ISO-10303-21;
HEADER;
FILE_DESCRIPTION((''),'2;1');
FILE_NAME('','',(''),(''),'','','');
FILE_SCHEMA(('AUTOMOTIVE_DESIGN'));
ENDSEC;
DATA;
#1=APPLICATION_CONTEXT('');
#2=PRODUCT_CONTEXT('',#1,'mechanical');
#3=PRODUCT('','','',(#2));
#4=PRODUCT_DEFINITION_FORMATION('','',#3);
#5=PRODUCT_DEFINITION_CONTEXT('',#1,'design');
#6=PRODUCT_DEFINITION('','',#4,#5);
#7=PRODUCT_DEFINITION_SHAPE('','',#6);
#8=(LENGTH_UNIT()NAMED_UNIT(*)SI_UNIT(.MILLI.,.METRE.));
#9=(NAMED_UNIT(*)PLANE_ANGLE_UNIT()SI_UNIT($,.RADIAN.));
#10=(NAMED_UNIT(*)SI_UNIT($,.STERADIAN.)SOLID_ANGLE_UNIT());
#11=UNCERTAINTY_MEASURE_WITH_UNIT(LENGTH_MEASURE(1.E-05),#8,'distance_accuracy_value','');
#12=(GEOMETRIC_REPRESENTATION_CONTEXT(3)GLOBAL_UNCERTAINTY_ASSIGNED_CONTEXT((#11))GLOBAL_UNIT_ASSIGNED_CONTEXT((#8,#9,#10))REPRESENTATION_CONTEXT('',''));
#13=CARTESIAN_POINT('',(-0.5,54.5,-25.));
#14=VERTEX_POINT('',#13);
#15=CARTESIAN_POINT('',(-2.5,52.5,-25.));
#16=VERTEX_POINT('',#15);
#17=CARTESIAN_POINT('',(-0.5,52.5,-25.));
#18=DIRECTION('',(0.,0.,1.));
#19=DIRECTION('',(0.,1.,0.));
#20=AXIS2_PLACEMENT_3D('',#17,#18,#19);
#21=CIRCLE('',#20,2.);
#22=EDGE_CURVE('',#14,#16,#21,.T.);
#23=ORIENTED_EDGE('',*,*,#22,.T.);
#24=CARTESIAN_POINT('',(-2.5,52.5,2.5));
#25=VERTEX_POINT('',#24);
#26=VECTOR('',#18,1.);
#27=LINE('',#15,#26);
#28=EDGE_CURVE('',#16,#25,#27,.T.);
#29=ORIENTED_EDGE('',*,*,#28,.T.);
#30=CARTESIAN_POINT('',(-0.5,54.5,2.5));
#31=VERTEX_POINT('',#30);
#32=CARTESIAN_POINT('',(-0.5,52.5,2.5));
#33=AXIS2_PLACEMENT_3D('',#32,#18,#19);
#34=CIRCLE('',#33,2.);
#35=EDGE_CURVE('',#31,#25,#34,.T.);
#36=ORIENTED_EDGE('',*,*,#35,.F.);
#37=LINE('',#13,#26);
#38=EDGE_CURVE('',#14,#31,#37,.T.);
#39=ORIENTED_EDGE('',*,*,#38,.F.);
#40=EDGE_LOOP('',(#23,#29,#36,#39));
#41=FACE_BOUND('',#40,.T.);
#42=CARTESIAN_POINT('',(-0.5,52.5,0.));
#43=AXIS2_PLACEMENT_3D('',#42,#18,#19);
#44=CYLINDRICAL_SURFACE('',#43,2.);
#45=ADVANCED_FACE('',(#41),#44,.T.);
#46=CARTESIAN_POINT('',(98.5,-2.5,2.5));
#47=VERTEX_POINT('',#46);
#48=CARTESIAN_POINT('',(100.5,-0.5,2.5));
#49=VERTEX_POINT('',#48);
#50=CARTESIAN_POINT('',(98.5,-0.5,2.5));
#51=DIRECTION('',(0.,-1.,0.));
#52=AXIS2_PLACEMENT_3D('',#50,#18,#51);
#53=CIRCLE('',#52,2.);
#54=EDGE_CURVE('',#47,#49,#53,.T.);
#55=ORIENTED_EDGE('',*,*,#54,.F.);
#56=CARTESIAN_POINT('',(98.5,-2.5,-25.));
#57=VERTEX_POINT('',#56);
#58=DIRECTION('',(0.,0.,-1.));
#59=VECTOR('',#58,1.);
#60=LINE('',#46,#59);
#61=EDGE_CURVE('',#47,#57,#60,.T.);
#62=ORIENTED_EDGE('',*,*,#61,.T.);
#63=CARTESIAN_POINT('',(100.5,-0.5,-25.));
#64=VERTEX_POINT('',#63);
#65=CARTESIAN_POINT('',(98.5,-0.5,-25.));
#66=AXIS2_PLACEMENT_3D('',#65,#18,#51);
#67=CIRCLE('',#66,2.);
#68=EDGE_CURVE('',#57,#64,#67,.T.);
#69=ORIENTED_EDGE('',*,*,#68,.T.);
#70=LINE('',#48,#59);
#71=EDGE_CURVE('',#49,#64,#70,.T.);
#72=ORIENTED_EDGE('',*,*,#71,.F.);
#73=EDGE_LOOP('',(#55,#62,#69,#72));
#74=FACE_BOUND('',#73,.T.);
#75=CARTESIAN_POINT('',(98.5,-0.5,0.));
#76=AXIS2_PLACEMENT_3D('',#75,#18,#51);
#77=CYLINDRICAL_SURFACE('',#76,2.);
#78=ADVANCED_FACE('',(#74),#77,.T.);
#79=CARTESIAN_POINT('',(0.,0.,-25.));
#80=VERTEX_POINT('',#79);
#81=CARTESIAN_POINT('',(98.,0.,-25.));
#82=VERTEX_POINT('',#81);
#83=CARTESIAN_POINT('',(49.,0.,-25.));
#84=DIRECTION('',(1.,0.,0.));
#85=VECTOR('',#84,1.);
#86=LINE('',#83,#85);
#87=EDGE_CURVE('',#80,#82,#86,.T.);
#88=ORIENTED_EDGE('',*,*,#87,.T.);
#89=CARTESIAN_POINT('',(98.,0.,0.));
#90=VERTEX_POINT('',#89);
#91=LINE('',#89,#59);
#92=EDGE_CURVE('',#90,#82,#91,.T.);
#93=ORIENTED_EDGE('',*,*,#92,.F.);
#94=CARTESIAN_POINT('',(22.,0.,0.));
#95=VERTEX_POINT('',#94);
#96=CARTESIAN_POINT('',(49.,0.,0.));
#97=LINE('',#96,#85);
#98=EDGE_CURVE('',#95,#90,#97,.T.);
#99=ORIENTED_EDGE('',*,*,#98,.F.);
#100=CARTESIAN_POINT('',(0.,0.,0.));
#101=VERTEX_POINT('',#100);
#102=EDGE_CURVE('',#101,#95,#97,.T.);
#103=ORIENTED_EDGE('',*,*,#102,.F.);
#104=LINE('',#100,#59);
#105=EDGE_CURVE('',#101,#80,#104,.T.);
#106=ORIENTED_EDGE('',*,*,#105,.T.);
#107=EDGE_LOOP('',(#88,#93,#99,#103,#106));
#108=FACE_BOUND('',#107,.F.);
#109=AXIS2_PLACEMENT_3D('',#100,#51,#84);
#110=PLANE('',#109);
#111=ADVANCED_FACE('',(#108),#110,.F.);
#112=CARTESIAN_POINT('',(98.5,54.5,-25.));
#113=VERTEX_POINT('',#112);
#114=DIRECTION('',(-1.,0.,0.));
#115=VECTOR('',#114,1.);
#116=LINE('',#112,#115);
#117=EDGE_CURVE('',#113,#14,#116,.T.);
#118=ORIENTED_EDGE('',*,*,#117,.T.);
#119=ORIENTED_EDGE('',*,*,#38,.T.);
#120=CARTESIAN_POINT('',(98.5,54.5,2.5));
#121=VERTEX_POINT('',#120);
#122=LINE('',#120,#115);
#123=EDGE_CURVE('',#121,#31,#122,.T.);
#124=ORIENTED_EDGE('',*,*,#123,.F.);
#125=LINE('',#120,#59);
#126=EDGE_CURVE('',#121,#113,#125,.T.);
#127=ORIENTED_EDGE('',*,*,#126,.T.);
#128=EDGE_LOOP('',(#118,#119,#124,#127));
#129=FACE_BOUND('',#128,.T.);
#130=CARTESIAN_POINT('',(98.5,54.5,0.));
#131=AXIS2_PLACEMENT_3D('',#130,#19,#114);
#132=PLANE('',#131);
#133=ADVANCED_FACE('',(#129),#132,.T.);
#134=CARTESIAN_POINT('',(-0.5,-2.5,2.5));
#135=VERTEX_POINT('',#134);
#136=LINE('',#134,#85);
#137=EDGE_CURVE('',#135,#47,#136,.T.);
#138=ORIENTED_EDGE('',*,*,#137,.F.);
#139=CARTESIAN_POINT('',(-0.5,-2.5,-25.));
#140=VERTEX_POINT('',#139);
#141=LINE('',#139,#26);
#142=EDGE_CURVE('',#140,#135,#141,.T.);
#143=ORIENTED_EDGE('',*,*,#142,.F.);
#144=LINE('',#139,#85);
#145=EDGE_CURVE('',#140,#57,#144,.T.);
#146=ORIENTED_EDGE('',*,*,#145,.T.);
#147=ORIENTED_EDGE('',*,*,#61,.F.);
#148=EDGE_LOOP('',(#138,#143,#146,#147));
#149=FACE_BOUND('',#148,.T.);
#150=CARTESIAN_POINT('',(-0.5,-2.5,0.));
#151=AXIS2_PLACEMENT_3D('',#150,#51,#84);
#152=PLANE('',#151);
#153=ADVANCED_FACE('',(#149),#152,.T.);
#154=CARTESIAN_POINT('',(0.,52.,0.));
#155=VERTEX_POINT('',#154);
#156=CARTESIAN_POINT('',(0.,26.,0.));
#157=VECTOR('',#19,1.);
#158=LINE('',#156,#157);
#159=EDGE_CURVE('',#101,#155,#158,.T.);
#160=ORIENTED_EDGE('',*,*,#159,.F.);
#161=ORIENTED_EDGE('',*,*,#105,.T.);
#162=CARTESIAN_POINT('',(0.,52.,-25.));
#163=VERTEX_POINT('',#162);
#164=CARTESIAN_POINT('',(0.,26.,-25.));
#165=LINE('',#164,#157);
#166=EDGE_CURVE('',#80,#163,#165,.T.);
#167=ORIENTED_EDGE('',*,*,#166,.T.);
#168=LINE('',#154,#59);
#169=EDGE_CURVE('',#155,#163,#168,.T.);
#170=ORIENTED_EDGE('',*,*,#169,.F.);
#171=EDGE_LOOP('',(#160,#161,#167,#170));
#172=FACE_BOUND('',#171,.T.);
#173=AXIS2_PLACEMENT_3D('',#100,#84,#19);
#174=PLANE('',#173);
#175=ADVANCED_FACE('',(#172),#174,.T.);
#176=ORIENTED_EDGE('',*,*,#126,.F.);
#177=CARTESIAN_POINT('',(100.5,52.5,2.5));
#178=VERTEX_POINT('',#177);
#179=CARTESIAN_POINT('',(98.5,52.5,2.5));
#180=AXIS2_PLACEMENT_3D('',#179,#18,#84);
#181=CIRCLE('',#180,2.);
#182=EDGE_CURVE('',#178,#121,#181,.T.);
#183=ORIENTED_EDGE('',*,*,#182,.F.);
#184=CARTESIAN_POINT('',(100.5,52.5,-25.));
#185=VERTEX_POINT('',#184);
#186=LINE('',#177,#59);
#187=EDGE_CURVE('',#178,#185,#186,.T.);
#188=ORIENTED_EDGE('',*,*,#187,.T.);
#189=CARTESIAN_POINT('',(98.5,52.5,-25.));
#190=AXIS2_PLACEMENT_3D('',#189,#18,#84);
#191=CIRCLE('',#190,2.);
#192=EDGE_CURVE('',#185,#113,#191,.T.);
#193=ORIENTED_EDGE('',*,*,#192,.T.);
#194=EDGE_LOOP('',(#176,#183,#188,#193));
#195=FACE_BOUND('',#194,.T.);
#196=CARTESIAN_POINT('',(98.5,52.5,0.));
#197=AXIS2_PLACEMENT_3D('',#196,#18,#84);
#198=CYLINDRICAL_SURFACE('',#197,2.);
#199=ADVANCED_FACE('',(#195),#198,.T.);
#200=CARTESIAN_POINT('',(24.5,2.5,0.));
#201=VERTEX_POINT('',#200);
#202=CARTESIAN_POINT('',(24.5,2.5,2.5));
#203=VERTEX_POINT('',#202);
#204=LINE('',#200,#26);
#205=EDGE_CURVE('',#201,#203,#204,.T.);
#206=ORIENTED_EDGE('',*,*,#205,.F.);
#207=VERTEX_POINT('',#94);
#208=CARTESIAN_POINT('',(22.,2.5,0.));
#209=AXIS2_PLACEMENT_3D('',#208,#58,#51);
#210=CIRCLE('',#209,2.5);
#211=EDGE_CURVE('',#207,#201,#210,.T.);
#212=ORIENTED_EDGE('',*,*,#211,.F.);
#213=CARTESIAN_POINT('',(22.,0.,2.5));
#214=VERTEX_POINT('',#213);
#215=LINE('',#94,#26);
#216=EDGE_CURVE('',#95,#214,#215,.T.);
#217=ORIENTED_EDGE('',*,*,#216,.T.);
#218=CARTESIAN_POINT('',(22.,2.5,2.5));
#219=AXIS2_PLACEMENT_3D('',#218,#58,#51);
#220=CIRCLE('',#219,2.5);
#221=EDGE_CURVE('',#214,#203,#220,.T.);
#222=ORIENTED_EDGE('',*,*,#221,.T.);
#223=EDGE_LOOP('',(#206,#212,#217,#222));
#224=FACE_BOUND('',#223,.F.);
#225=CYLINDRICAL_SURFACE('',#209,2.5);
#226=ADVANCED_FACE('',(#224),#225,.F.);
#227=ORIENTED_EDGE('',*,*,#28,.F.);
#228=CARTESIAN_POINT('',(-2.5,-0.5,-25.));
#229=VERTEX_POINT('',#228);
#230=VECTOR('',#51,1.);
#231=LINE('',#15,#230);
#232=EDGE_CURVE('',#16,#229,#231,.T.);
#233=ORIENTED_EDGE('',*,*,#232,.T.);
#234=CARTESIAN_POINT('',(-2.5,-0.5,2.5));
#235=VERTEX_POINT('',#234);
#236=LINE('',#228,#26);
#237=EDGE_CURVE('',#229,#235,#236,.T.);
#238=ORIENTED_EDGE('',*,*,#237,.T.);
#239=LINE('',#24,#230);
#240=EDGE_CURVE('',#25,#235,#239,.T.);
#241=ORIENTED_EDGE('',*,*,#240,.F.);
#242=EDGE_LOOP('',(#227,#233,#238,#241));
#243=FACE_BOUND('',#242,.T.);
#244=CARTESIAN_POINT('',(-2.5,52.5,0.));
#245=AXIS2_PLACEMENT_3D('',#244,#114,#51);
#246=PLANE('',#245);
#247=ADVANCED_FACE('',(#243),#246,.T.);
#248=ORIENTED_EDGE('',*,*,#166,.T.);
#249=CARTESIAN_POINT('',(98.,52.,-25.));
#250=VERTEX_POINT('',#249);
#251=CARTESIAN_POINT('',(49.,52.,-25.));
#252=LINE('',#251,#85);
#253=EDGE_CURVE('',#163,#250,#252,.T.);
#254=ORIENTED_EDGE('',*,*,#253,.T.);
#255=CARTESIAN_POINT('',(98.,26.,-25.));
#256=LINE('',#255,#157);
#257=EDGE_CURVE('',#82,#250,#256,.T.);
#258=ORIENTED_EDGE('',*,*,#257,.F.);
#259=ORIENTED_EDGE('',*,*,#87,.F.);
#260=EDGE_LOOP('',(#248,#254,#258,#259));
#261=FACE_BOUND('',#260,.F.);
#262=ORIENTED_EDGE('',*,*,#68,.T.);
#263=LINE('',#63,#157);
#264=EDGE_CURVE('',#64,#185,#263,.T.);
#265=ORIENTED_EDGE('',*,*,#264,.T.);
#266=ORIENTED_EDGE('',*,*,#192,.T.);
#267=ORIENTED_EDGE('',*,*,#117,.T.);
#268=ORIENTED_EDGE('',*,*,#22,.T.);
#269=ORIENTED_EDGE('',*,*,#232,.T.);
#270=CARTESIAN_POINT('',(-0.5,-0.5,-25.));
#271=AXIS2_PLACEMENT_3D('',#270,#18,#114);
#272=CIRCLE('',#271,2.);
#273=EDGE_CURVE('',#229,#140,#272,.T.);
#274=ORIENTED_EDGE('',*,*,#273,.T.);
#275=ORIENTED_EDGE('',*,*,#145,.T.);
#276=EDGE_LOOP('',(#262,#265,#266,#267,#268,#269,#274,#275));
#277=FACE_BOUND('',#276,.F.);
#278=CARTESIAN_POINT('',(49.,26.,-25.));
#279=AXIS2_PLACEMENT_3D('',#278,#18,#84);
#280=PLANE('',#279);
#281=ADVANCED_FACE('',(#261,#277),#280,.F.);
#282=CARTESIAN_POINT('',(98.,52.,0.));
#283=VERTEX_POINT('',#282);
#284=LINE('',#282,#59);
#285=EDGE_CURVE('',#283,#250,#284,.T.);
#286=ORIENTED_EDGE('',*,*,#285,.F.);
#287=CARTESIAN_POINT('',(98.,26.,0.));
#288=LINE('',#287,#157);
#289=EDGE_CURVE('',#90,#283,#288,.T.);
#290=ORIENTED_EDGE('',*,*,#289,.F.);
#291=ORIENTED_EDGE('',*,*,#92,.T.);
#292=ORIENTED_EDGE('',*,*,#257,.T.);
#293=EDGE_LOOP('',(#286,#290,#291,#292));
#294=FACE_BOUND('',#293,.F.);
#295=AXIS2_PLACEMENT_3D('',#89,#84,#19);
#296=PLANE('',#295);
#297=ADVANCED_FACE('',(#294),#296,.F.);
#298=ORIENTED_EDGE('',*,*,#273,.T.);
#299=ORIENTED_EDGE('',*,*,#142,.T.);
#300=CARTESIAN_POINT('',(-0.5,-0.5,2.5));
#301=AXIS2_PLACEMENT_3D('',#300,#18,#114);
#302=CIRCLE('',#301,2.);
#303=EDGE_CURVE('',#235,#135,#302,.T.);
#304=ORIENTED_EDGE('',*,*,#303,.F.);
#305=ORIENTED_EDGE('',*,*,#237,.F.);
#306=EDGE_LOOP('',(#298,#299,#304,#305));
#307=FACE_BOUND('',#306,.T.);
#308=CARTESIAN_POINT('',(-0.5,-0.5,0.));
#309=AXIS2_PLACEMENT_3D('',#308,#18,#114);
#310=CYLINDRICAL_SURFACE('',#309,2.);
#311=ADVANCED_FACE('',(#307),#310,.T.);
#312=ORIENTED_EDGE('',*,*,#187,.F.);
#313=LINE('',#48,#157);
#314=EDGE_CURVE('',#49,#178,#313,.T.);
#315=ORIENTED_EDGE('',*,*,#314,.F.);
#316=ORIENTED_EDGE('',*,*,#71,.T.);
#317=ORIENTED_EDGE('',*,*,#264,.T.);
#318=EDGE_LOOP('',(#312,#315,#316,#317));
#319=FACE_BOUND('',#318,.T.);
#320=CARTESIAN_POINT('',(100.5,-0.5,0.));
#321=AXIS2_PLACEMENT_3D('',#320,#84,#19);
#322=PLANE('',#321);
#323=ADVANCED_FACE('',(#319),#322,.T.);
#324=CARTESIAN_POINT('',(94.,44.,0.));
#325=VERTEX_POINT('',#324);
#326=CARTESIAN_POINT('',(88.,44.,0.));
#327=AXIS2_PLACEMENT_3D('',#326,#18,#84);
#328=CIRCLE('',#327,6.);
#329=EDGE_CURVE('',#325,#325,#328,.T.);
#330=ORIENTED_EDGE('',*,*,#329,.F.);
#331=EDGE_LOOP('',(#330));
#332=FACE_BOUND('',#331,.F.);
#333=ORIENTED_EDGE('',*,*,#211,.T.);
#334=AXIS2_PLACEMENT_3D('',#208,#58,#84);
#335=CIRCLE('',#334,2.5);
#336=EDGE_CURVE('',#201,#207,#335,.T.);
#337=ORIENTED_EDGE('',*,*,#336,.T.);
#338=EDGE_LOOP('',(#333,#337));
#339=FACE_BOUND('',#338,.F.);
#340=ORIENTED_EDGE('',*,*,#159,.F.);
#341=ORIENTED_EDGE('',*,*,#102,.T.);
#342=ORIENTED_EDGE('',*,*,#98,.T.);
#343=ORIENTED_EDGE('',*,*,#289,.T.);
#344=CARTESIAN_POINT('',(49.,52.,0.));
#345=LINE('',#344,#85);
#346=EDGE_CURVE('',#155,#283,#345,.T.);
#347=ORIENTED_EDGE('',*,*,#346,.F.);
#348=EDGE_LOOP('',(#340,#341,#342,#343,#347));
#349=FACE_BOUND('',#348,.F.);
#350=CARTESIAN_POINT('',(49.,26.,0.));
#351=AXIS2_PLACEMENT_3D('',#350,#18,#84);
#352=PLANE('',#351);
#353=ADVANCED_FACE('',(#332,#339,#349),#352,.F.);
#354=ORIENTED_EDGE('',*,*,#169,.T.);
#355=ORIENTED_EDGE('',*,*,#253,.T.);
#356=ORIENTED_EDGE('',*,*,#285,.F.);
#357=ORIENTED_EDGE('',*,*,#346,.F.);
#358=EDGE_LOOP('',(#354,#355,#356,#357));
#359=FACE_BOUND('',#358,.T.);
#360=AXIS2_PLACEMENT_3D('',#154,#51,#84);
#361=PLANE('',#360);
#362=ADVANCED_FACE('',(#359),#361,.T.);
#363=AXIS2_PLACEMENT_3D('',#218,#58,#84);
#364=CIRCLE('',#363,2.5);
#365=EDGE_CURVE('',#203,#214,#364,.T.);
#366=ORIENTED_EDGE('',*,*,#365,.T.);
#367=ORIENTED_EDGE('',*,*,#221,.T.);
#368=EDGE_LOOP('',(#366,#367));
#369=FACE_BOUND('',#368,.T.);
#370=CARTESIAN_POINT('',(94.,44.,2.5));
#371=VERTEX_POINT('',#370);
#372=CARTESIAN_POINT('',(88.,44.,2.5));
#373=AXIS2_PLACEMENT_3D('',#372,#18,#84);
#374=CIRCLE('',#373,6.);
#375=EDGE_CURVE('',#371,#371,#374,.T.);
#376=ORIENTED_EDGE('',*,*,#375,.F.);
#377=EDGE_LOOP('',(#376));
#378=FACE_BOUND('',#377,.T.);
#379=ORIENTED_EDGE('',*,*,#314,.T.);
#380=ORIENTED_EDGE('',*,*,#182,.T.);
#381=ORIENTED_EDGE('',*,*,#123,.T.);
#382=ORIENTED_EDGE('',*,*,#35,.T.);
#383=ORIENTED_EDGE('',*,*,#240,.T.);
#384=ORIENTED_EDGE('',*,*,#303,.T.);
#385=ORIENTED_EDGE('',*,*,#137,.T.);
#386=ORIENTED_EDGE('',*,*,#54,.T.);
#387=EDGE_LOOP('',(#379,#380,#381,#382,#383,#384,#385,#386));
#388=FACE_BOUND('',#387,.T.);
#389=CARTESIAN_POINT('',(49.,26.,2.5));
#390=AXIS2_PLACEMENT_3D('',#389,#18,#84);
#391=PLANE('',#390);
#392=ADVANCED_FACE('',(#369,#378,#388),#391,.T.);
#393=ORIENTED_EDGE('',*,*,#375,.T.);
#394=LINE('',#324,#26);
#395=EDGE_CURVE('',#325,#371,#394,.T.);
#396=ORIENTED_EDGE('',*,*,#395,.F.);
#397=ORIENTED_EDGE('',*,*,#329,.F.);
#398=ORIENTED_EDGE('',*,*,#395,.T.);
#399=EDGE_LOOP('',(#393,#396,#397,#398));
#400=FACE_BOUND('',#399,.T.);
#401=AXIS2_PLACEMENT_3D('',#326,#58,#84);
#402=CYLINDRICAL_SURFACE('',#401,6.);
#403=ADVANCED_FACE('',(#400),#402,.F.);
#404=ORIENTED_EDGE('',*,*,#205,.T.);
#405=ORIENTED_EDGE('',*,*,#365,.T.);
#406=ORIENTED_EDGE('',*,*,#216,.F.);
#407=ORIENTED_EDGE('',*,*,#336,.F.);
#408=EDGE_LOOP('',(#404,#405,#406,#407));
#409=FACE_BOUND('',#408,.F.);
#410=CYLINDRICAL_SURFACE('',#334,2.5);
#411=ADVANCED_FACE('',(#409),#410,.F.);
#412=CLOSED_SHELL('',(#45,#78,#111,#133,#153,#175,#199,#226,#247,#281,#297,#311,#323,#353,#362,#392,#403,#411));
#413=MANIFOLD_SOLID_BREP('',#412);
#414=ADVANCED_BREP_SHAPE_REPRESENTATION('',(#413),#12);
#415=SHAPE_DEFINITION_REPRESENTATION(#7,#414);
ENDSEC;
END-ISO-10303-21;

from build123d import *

# Parameters (mm, degrees)
F0_R     = 6
F1_DEPTH = 2.5
F2_W     = 98
F2_H     = 52
F3_DEPTH = 25


with BuildPart() as f1:
    # F0 (on Top) → F1 (new body)
    with BuildSketch(Plane.XY):
        with BuildLine():
            Line((98.5, 54.5), (-0.5, 54.5))
            ThreePointArc((-0.5, 54.5), (-1.9142135624, 53.9142135624), (-2.5, 52.5))
            Line((-2.5, 52.5), (-2.5, -0.5))
            ThreePointArc((-2.5, -0.5), (-1.9142135624, -1.9142135624), (-0.5, -2.5))
            Line((-0.5, -2.5), (98.5, -2.5))
            ThreePointArc((98.5, -2.5), (99.9142135624, -1.9142135624), (100.5, -0.5))
            Line((100.5, -0.5), (100.5, 52.5))
            ThreePointArc((100.5, 52.5), (99.9142135624, 53.9142135624), (98.5, 54.5))
        make_face()
        Polygon((22, 0), (0, 0), (0, 52), (98, 52), (98, 0), align=None, mode=Mode.SUBTRACT)
        Polygon((0, 52), (0, 0), (22, 0), (98, 0), (98, 52), align=None)
        with BuildLine():
            ThreePointArc((24.5, 2.5), (23.767766953, 0.732233047), (22, 0))
            ThreePointArc((22, 0), (20.232233047, 4.267766953), (24.5, 2.5))
        make_face(mode=Mode.SUBTRACT)
        with Locations((88, 44)):
            Circle(F0_R, mode=Mode.SUBTRACT)
    extrude(amount=F1_DEPTH)

    # F2 (on Top) → F3 (join)
    with BuildSketch(Plane.XY):
        with BuildLine():
            Line((98.5, 54.5), (-0.5, 54.5))
            ThreePointArc((-0.5, 54.5), (-1.9142135624, 53.9142135624), (-2.5, 52.5))
            Line((-2.5, 52.5), (-2.5, -0.5))
            ThreePointArc((-2.5, -0.5), (-1.9142135624, -1.9142135624), (-0.5, -2.5))
            Line((-0.5, -2.5), (98.5, -2.5))
            ThreePointArc((98.5, -2.5), (99.9142135624, -1.9142135624), (100.5, -0.5))
            Line((100.5, -0.5), (100.5, 52.5))
            ThreePointArc((100.5, 52.5), (99.9142135624, 53.9142135624), (98.5, 54.5))
        make_face()
        with Locations((49, 26)):
            Rectangle(F2_W, F2_H, mode=Mode.SUBTRACT)
    extrude(amount=-F3_DEPTH)


solid = f1.part
